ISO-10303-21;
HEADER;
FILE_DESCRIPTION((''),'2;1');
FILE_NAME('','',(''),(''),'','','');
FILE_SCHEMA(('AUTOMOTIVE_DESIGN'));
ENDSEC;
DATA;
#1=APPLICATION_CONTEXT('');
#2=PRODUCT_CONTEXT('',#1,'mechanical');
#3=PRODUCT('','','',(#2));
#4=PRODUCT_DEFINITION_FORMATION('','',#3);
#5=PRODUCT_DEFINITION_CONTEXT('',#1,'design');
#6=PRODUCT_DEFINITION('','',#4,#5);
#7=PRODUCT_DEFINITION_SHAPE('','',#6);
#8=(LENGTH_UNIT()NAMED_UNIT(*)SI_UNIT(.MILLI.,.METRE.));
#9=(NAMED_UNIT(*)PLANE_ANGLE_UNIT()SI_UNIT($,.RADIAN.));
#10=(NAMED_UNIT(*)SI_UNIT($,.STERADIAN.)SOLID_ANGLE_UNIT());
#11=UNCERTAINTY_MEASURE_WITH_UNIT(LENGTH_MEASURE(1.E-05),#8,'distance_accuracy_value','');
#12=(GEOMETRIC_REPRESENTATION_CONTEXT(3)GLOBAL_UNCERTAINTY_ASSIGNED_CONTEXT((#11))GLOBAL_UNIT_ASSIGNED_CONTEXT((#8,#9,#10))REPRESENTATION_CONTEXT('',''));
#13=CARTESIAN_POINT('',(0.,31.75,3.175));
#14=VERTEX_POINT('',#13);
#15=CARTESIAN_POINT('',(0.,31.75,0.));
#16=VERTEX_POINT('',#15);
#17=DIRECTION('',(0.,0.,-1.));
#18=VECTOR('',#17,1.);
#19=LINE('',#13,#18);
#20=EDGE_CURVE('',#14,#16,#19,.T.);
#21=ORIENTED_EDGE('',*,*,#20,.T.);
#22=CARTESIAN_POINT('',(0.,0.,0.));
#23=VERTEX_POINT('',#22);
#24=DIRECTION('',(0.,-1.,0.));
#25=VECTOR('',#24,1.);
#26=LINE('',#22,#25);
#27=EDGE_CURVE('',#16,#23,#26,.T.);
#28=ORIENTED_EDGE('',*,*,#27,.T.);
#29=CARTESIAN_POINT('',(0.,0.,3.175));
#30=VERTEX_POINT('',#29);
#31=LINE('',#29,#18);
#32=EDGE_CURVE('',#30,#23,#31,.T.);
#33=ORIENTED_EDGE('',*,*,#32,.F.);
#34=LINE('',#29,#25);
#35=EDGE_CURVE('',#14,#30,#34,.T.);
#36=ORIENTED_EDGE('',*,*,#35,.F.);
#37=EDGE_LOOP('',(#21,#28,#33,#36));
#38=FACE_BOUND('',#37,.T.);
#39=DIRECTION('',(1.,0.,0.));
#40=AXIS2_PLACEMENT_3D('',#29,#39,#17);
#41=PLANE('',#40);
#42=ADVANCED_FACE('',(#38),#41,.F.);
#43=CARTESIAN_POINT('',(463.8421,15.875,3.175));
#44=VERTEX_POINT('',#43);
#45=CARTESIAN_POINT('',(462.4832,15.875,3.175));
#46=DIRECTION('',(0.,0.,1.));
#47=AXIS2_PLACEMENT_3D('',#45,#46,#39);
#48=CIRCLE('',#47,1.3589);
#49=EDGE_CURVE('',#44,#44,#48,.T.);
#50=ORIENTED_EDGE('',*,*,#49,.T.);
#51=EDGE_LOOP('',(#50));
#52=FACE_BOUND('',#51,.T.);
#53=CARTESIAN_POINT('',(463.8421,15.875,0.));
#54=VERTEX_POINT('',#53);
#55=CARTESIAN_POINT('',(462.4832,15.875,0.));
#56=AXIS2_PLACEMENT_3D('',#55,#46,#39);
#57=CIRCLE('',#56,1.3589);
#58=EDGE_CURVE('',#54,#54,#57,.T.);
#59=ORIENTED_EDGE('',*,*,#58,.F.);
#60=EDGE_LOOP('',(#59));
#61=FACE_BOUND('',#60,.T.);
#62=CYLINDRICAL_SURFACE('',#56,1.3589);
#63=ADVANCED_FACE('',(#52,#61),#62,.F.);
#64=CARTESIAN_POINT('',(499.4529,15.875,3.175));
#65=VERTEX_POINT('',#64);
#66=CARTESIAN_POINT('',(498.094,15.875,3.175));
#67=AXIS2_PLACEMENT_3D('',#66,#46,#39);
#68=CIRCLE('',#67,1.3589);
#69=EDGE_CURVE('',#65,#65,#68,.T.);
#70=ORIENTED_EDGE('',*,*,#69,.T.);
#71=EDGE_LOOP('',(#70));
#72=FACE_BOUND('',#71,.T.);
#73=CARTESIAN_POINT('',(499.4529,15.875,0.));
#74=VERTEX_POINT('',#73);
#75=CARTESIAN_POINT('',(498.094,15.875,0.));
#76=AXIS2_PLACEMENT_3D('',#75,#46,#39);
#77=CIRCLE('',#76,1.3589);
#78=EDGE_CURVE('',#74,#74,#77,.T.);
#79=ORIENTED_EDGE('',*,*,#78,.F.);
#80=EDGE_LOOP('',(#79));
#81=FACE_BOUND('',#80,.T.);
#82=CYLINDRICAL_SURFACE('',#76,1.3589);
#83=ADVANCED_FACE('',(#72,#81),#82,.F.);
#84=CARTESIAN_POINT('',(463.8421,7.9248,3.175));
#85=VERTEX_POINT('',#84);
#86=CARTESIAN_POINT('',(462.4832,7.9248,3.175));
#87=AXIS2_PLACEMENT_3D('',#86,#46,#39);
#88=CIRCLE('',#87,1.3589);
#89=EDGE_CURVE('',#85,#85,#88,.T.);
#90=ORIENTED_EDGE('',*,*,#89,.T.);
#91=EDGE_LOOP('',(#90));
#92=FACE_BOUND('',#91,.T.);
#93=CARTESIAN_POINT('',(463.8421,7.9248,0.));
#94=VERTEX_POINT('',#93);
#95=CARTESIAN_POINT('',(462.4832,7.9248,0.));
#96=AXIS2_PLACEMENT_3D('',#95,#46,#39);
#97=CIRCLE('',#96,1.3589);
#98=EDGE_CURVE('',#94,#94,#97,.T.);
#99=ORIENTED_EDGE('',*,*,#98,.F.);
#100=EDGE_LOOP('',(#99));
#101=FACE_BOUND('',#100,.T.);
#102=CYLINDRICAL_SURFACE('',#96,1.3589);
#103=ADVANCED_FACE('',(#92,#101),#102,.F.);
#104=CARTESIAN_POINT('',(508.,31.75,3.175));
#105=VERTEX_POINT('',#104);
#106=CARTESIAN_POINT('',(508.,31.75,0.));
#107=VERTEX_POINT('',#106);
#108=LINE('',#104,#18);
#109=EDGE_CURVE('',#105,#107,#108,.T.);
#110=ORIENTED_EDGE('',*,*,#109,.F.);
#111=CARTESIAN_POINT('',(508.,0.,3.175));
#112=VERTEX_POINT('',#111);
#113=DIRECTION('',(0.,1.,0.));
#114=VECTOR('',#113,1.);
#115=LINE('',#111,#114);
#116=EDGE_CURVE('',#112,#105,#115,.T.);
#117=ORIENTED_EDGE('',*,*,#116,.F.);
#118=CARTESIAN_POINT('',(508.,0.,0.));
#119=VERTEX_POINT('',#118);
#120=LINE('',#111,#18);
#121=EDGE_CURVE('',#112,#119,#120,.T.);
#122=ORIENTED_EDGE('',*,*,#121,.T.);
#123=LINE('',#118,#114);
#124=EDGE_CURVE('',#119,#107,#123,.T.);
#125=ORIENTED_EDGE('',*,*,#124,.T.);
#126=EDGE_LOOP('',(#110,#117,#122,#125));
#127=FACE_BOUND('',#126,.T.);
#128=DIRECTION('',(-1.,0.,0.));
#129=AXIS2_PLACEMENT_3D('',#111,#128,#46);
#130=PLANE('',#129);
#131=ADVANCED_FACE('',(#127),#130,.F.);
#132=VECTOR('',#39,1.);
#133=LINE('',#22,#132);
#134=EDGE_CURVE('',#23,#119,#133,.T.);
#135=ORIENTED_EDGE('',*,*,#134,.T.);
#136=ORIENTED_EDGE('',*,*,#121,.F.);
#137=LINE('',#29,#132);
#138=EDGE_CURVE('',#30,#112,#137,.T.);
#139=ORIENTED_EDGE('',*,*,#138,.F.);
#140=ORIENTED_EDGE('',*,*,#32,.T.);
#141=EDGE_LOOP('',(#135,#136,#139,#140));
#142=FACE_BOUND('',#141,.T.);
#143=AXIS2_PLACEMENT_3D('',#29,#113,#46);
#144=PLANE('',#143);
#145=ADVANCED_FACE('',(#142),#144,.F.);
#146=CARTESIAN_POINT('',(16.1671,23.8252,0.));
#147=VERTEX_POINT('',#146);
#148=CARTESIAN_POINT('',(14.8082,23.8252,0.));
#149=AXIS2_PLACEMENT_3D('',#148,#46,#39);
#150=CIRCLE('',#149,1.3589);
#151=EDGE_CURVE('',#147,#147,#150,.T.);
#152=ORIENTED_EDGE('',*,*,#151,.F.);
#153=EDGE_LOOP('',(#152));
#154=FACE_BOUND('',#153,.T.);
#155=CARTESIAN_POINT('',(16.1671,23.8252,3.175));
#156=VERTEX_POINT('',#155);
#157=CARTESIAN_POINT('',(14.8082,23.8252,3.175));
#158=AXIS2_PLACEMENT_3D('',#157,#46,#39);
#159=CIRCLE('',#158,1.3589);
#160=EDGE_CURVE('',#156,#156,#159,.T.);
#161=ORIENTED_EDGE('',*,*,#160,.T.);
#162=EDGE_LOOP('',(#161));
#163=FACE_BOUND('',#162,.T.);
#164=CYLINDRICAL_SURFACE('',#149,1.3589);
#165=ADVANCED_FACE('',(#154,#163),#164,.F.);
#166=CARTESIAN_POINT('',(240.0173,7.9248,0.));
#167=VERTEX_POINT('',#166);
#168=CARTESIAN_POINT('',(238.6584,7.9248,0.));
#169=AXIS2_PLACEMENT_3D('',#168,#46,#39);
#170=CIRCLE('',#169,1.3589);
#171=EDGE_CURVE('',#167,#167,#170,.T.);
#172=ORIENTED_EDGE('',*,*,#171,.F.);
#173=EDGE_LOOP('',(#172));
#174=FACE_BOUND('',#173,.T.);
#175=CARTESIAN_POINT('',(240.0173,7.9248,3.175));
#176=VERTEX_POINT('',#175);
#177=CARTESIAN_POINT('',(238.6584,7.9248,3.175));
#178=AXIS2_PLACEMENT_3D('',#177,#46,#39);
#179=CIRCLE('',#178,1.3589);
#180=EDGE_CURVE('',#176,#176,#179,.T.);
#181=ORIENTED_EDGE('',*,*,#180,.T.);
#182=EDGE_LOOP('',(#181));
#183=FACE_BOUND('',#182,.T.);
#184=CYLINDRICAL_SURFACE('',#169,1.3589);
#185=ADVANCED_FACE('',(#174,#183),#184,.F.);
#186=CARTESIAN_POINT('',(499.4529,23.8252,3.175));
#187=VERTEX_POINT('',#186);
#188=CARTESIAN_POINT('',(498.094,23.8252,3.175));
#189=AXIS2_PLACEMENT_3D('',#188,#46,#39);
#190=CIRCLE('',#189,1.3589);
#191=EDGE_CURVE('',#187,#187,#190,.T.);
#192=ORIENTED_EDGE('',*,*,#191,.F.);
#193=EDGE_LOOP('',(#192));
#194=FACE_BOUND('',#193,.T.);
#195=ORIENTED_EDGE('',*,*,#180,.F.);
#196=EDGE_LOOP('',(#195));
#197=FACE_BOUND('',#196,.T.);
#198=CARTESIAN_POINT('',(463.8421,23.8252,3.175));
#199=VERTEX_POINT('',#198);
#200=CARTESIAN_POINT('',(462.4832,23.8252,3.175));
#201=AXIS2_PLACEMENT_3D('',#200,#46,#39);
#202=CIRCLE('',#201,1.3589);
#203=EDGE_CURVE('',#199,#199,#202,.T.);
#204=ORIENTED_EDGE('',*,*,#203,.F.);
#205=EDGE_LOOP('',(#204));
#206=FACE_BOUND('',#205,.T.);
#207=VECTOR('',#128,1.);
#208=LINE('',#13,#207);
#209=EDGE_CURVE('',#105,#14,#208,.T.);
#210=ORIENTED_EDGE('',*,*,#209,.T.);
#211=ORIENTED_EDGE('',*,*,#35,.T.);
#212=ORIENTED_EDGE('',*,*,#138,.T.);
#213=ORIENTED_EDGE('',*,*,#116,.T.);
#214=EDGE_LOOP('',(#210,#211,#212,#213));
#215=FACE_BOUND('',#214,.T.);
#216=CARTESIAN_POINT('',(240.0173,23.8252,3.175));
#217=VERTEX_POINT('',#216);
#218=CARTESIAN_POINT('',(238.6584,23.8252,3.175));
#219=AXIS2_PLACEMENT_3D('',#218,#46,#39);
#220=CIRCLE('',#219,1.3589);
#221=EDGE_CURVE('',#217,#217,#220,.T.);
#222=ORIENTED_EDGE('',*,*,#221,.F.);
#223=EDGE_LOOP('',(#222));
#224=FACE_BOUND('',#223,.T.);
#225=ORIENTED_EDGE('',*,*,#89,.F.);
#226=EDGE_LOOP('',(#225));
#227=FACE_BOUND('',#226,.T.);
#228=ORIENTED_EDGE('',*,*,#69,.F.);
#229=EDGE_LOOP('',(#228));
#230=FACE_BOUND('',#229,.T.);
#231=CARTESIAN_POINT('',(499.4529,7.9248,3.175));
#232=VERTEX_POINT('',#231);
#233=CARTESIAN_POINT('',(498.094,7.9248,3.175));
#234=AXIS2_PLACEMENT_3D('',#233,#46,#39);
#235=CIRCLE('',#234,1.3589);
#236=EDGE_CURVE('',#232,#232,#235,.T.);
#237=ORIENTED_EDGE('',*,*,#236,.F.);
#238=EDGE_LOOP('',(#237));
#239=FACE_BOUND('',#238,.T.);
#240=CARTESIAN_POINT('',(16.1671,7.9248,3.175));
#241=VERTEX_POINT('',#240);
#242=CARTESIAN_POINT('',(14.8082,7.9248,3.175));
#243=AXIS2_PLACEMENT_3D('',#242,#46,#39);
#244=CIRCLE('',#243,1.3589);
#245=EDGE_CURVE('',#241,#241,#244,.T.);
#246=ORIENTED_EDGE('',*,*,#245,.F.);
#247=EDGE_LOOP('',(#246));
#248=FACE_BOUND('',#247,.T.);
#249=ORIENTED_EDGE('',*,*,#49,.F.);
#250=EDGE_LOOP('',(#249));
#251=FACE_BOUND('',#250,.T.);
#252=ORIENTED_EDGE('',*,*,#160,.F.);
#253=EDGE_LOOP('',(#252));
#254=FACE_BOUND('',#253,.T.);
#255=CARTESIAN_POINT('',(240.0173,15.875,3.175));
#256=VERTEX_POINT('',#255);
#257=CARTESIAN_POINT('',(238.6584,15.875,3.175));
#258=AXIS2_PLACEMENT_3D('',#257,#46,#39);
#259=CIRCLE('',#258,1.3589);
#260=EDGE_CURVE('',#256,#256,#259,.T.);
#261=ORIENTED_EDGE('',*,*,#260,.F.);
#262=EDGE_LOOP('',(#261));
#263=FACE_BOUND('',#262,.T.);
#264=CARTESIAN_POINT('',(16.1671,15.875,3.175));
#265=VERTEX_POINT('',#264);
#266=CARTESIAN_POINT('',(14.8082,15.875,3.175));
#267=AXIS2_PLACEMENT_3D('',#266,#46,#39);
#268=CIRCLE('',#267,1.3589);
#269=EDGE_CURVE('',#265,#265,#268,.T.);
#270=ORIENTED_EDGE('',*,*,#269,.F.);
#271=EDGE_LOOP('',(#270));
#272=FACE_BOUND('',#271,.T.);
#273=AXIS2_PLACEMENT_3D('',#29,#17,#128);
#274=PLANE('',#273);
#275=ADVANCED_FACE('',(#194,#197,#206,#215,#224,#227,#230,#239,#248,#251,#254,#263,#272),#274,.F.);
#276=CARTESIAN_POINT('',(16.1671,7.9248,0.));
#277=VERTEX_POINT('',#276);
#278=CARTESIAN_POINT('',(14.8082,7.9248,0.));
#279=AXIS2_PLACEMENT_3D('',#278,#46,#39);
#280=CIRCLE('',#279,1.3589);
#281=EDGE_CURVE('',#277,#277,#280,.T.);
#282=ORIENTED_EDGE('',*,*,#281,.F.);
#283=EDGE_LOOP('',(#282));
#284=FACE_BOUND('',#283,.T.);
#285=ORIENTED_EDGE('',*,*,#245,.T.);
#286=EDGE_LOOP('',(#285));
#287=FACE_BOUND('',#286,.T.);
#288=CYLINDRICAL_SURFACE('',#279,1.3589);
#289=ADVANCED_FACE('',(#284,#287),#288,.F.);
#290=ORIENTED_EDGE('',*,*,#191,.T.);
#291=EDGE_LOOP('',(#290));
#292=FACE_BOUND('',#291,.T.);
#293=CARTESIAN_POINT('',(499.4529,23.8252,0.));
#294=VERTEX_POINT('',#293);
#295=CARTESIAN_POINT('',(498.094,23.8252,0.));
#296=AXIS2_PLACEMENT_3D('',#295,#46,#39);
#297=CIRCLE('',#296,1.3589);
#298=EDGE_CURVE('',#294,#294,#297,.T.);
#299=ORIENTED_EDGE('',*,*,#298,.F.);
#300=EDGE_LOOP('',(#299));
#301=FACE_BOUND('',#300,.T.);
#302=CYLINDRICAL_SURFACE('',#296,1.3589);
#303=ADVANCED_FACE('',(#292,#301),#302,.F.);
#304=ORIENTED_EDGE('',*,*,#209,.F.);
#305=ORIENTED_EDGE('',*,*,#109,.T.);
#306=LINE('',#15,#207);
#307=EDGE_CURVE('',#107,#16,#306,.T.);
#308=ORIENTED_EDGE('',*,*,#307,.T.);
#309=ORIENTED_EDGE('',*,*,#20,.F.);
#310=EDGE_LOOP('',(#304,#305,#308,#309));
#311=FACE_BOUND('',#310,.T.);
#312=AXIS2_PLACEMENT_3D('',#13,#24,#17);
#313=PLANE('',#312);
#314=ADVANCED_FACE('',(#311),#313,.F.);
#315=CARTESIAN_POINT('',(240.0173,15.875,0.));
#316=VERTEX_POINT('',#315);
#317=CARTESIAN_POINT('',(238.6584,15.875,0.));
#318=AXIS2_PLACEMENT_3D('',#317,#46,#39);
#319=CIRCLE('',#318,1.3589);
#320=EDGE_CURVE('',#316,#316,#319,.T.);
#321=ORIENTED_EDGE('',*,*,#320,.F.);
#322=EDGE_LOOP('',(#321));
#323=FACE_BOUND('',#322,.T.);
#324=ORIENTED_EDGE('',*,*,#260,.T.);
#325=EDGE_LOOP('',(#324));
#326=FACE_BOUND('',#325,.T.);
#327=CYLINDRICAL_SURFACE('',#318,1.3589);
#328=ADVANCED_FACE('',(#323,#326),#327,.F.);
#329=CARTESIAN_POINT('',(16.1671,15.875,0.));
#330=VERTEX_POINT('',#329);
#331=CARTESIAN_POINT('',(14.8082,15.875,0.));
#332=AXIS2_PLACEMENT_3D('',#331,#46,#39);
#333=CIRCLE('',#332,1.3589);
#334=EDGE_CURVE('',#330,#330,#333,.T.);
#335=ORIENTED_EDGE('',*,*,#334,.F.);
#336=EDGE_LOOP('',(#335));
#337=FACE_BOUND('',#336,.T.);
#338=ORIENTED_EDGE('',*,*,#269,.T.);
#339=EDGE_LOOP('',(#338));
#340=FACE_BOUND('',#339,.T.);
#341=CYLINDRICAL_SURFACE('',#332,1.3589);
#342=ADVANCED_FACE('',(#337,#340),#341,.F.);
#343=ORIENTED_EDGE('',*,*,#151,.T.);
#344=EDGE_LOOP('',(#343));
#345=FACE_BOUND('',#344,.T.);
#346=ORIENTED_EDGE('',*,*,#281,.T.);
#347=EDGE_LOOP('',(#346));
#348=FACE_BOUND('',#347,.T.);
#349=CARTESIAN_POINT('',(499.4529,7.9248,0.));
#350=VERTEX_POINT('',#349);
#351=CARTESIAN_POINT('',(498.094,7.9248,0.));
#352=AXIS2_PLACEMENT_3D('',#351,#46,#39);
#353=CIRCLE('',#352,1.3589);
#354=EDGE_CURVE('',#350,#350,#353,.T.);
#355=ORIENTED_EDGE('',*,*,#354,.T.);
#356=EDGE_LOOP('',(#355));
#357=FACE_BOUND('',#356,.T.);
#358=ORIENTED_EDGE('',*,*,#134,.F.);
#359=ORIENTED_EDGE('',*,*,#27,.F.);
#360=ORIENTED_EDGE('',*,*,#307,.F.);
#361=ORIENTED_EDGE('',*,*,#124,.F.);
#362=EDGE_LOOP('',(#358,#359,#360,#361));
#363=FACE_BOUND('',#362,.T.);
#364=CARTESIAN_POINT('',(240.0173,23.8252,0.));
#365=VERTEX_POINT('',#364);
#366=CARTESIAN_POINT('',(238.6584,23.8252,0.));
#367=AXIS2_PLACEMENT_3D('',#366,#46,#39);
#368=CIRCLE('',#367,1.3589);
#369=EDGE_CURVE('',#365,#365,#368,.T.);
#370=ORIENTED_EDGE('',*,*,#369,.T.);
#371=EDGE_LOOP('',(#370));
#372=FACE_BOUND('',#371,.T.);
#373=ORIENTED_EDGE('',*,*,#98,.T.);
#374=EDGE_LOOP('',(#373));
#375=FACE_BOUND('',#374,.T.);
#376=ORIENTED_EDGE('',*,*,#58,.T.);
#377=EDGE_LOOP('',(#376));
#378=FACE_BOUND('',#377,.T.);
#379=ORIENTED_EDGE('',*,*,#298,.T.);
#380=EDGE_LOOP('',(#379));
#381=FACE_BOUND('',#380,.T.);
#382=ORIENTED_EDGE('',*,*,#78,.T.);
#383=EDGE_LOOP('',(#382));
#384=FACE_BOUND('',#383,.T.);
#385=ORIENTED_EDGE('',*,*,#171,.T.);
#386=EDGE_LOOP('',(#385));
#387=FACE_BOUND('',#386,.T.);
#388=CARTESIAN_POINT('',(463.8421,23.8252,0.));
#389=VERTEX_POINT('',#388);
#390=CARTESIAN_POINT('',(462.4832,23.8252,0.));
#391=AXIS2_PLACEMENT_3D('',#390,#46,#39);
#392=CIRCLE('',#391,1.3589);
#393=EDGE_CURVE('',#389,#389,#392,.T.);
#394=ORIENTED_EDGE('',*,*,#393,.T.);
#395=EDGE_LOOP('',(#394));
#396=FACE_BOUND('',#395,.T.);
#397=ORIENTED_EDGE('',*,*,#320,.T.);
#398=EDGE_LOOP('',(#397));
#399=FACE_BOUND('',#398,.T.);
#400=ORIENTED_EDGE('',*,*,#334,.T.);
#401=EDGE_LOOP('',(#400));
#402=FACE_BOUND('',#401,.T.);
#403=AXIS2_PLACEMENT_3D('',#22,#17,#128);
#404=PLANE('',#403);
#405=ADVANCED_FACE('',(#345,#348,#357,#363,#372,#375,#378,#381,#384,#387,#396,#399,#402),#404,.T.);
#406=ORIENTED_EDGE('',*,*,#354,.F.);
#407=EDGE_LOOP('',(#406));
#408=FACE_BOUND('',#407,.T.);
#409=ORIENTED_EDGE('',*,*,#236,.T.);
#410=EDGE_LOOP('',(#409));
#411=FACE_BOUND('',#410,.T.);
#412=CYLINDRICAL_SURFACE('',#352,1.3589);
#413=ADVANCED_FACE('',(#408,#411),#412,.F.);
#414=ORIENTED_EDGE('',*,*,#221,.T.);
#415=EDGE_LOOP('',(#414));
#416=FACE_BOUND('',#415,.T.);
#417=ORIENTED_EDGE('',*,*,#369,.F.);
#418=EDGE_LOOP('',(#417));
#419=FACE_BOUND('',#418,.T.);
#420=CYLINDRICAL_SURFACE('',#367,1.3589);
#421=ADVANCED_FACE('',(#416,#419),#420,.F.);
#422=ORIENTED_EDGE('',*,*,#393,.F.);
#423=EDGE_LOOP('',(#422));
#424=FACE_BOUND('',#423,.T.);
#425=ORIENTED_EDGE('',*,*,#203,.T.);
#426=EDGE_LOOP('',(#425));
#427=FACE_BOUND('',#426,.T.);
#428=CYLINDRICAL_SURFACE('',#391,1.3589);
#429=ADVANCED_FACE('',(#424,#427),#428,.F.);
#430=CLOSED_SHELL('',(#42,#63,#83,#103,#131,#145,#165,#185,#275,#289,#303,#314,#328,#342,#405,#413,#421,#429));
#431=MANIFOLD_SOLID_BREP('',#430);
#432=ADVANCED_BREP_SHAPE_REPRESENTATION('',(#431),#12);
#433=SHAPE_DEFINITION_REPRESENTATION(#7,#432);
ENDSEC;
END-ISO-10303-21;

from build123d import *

# Parameters (mm, degrees)
SKETCH1_W           = 508
SKETCH1_H           = 31.75
BOSS_EXTRUDE1_DEPTH = 3.175
SKETCH2_R           = 1.3589
CUT_EXTRUDE1_DEPTH  = 4.175


with BuildPart() as part:
    # Sketch1 → Boss-Extrude1 (new body)
    with BuildSketch(Plane.XY):
        with Locations((254, 15.875)):
            Rectangle(SKETCH1_W, SKETCH1_H)
    extrude(amount=BOSS_EXTRUDE1_DEPTH)

    # Sketch2 → Cut-Extrude1 (cut, through all)
    with BuildSketch(Plane.XY.offset(3.175)):
        with Locations((14.8082, 23.8252)):
            Circle(SKETCH2_R)
        with Locations((14.8082, 15.875)):
            Circle(SKETCH2_R)
        with Locations((14.8082, 7.9248)):
            Circle(SKETCH2_R)
        with Locations((462.4832, 23.8252)):
            Circle(SKETCH2_R)
        with Locations((462.4832, 15.875)):
            Circle(SKETCH2_R)
        with Locations((462.4832, 7.9248)):
            Circle(SKETCH2_R)
        with Locations((498.094, 23.8252)):
            Circle(SKETCH2_R)
        with Locations((498.094, 15.875)):
            Circle(SKETCH2_R)
        with Locations((498.094, 7.9248)):
            Circle(SKETCH2_R)
        with Locations((238.6584, 23.8252)):
            Circle(SKETCH2_R)
        with Locations((238.6584, 15.875)):
            Circle(SKETCH2_R)
        with Locations((238.6584, 7.9248)):
            Circle(SKETCH2_R)
    extrude(amount=-CUT_EXTRUDE1_DEPTH, mode=Mode.SUBTRACT)


solid = part.part
